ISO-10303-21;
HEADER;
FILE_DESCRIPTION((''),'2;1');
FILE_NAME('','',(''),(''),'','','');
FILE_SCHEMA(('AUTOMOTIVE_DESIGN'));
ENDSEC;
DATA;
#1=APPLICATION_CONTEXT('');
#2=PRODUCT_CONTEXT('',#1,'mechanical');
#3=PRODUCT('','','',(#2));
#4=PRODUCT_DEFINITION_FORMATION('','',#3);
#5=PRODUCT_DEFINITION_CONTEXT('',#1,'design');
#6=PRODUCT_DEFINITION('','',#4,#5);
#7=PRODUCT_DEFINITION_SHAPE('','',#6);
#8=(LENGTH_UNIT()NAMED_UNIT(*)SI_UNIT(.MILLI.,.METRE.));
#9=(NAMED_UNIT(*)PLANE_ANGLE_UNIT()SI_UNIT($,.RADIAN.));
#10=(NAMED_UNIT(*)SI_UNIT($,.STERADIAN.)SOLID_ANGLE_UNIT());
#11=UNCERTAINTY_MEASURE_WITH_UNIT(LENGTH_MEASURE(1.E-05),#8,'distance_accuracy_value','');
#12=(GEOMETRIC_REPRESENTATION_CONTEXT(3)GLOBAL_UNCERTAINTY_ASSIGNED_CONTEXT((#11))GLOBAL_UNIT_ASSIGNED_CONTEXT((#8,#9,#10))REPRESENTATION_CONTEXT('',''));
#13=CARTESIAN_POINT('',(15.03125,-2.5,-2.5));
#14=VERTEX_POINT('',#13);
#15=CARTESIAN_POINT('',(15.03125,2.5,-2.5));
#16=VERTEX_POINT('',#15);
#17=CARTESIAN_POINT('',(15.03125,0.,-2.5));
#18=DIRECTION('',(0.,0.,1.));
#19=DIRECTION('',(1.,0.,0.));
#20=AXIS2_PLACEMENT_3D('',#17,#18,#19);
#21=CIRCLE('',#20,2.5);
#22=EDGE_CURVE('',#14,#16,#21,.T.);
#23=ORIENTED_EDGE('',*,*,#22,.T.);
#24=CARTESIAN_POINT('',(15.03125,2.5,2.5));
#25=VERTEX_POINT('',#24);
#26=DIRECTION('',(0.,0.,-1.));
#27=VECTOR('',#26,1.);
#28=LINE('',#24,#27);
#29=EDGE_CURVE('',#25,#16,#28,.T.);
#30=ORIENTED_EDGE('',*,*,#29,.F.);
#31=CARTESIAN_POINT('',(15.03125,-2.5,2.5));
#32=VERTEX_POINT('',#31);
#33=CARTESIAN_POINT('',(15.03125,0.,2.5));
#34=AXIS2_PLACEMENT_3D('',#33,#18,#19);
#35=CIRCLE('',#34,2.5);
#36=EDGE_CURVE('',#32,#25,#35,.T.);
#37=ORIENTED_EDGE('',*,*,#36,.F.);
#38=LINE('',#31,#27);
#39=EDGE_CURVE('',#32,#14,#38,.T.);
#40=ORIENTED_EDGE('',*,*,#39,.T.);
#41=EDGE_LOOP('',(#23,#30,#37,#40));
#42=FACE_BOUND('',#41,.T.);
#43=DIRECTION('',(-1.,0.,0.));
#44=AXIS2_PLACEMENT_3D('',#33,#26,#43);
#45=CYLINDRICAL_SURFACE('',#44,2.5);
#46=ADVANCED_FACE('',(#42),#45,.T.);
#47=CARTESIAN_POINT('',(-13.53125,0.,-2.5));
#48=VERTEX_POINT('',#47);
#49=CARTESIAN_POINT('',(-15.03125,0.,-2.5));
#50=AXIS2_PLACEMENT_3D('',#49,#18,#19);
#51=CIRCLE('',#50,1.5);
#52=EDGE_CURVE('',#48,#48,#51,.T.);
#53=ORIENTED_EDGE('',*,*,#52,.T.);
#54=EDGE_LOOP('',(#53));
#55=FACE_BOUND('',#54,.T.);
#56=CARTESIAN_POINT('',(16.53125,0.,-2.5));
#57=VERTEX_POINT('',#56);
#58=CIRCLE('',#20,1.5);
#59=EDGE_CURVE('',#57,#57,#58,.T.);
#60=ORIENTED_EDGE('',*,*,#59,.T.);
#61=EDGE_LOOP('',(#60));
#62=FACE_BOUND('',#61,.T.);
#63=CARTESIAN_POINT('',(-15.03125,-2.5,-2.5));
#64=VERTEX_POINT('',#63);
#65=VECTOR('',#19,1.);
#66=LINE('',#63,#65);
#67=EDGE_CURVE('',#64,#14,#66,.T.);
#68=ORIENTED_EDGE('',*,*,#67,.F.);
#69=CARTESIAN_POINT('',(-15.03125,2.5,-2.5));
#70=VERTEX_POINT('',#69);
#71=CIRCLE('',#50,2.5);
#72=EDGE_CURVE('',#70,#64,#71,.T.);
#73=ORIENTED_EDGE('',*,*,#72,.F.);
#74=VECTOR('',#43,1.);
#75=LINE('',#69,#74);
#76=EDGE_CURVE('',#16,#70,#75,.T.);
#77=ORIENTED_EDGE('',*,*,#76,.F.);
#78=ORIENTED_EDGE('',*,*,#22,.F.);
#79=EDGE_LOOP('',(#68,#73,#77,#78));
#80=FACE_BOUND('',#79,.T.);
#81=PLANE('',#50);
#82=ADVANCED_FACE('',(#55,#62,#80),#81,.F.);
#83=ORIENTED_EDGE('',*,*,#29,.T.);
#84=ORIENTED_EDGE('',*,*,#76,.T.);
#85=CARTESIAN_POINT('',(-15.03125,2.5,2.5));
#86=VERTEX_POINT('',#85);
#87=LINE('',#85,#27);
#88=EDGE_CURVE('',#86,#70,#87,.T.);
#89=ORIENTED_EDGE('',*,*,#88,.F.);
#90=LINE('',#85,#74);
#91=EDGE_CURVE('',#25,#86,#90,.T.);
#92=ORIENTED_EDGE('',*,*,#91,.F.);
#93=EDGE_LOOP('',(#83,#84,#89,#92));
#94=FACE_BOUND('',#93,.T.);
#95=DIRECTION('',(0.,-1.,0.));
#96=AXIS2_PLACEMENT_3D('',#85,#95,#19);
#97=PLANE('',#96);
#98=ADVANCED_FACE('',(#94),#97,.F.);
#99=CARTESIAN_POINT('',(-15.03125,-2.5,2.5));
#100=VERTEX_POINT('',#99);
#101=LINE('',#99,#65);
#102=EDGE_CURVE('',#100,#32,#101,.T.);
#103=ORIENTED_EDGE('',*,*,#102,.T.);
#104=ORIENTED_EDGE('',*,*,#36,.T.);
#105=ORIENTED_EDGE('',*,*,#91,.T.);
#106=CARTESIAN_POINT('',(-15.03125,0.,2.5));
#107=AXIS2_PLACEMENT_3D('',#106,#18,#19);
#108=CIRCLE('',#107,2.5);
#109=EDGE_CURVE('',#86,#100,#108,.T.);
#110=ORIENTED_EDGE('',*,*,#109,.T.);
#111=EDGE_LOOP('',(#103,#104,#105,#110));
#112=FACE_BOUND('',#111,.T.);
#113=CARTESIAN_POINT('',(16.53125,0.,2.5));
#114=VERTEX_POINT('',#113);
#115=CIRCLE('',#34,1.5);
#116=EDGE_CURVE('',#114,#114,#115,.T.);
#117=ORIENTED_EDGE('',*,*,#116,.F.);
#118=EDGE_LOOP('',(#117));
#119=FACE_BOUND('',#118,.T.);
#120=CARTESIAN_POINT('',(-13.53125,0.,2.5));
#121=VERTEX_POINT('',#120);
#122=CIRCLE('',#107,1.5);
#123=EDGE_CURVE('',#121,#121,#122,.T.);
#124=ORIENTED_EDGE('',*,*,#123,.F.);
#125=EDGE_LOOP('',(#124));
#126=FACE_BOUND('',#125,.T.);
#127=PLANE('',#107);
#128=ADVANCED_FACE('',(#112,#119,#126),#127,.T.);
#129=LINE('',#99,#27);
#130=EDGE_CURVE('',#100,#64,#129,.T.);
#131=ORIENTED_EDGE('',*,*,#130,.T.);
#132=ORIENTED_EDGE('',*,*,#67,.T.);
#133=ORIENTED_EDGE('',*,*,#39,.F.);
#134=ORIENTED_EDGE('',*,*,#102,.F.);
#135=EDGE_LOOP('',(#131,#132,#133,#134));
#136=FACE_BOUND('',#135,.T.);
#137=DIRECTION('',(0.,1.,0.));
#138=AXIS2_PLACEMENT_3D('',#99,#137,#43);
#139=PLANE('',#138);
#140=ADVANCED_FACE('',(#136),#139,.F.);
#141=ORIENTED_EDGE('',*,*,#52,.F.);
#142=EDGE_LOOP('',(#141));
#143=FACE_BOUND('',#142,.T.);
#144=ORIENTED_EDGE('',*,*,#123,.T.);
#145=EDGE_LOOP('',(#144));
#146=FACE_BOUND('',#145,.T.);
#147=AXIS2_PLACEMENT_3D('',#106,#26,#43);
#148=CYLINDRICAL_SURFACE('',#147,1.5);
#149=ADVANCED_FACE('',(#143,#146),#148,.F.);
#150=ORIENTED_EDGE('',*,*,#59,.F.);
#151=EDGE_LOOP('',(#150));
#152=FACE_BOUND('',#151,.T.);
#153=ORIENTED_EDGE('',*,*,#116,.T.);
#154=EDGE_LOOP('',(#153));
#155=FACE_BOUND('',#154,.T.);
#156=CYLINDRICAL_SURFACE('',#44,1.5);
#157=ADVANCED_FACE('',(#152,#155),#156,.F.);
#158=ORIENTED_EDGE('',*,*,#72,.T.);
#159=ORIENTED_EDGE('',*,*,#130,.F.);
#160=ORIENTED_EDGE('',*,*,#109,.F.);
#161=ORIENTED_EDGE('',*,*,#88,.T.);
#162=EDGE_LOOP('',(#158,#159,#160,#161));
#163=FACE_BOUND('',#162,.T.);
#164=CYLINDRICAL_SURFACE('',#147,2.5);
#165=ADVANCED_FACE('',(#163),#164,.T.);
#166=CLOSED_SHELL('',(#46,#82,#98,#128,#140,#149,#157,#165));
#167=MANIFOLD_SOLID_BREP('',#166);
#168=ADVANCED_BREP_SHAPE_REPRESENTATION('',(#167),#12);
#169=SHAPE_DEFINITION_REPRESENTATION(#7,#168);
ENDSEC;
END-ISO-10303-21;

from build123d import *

# Parameters (mm, degrees)
SKETCH1_R           = 1.5
BOSS_EXTRUDE1_DEPTH = 2.5


with BuildPart() as part:
    # Sketch1 → Boss-Extrude1 (new, symmetric)
    with BuildSketch(Plane.XY):
        with BuildLine():
            Line((-15.03125, 2.5), (15.03125, 2.5))
            ThreePointArc((15.03125, 2.5), (17.53125, 0), (15.03125, -2.5))
            Line((15.03125, -2.5), (-15.03125, -2.5))
            ThreePointArc((-15.03125, -2.5), (-17.53125, 0), (-15.03125, 2.5))
        make_face()
        with Locations((-15.03125, 0)):
            Circle(SKETCH1_R, mode=Mode.SUBTRACT)
        with Locations((15.03125, 0)):
            Circle(SKETCH1_R, mode=Mode.SUBTRACT)
    extrude(amount=BOSS_EXTRUDE1_DEPTH, both=True)


solid = part.part
